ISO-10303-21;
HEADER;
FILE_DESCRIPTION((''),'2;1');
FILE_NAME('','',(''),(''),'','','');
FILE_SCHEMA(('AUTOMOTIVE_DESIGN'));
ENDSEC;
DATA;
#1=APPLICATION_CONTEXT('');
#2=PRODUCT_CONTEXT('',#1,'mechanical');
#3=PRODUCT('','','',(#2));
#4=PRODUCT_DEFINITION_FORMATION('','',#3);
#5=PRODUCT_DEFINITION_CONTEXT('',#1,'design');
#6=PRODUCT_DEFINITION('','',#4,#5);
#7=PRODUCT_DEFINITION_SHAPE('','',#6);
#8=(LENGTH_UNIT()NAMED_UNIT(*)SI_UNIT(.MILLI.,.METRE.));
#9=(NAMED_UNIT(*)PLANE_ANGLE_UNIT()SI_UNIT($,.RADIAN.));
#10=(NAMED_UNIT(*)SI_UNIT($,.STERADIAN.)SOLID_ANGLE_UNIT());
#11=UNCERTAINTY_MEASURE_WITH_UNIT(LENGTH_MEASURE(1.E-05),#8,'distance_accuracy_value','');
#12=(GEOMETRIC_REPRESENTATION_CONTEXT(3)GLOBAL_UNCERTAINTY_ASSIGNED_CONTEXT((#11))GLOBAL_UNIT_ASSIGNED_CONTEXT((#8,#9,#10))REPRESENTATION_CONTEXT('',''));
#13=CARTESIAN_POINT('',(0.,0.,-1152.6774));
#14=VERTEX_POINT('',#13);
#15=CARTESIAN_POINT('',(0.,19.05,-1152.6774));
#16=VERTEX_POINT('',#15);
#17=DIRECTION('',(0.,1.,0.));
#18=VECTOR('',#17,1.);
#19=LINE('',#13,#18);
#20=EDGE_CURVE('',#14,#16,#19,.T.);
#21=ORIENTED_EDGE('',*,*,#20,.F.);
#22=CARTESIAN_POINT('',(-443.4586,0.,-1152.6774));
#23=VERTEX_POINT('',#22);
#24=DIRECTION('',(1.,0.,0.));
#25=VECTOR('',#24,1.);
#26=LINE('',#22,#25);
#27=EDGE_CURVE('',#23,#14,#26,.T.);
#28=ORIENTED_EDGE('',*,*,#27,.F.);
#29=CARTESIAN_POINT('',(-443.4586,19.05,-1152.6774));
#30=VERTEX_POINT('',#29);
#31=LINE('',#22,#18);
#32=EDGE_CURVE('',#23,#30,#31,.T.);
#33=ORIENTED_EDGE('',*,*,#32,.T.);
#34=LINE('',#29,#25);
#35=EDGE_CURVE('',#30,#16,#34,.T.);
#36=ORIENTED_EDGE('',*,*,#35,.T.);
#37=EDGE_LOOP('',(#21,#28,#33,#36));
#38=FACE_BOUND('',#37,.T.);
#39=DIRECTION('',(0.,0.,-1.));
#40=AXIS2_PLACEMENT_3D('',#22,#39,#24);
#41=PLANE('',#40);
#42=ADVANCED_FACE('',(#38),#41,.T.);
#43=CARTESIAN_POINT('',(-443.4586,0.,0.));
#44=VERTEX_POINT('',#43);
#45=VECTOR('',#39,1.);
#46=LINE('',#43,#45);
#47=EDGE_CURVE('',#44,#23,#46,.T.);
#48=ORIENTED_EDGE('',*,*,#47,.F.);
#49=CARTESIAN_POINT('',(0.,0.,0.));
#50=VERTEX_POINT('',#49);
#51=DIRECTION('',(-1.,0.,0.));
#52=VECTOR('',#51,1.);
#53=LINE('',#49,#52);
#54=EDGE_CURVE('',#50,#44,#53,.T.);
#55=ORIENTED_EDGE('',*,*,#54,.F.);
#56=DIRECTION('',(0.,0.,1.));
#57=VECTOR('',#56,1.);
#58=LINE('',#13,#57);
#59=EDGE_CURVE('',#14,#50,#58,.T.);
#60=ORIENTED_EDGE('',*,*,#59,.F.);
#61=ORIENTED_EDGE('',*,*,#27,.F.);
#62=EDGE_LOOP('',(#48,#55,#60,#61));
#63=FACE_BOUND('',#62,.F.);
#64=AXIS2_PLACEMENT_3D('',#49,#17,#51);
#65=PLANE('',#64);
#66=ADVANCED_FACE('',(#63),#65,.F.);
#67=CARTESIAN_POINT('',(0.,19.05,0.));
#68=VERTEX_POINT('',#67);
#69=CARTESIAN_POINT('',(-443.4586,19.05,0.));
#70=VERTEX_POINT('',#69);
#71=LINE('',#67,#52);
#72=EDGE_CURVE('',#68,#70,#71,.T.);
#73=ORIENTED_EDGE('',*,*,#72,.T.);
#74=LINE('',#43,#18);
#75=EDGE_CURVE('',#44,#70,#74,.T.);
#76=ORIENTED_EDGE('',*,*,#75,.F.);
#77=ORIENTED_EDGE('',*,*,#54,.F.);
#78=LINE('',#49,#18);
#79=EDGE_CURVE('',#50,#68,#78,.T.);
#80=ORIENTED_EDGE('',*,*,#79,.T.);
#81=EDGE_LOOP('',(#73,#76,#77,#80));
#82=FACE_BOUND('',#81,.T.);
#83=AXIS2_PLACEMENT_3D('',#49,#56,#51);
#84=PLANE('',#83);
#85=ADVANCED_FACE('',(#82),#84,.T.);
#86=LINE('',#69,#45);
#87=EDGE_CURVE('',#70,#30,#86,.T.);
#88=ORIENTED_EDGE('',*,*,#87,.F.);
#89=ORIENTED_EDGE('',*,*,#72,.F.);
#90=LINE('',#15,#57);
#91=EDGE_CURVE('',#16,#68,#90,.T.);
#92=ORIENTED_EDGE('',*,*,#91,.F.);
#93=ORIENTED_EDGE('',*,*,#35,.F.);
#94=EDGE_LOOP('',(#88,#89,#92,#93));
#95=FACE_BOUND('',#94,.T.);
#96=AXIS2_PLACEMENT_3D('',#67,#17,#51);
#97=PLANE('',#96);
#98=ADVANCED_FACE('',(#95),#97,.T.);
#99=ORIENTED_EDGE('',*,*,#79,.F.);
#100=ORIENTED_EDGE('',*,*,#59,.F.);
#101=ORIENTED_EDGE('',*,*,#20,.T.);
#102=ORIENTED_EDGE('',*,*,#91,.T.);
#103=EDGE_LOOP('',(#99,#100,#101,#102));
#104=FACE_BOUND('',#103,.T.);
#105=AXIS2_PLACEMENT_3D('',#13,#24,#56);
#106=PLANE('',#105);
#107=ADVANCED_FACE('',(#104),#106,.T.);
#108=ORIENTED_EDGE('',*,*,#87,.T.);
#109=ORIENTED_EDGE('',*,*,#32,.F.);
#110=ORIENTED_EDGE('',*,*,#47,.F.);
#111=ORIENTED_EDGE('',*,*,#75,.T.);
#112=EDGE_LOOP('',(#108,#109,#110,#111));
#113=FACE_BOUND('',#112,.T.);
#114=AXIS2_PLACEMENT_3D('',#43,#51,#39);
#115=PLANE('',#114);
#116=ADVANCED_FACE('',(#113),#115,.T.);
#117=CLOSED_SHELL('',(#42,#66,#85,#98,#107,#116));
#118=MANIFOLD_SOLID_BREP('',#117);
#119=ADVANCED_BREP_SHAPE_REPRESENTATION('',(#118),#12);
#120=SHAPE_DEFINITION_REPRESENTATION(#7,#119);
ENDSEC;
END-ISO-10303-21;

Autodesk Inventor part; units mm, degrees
ref_plane "YZ Plane" through (0, 0, 0) normal (1, 0, 0) x (0, 1, 0)
ref_plane "XZ Plane" through (0, 0, 0) normal (0, 1, 0) x (-1, 0, 0)
ref_plane "XY Plane" through (0, 0, 0) normal (0, 0, 1) x (1, 0, 0)
sketch "Sketch1" plane through (0, 0, 0) normal (0, 1, 0) x (-1, 0, 0)
  line L0 (0, 0) -> (443.4586, 0)
  line L1 (443.4586, 0) -> (443.4586, -1152.6774)
  line L2 (443.4586, -1152.6774) -> (0, -1152.6774)
  line L3 (0, -1152.6774) -> (0, 0)
  dimension "d0" = 443.4586
  dimension "d1" = 1152.6774
extrude "Extrusion1" add sketch "Sketch1" along normal blind 19.05
properties part number "Bari Cart Base"
